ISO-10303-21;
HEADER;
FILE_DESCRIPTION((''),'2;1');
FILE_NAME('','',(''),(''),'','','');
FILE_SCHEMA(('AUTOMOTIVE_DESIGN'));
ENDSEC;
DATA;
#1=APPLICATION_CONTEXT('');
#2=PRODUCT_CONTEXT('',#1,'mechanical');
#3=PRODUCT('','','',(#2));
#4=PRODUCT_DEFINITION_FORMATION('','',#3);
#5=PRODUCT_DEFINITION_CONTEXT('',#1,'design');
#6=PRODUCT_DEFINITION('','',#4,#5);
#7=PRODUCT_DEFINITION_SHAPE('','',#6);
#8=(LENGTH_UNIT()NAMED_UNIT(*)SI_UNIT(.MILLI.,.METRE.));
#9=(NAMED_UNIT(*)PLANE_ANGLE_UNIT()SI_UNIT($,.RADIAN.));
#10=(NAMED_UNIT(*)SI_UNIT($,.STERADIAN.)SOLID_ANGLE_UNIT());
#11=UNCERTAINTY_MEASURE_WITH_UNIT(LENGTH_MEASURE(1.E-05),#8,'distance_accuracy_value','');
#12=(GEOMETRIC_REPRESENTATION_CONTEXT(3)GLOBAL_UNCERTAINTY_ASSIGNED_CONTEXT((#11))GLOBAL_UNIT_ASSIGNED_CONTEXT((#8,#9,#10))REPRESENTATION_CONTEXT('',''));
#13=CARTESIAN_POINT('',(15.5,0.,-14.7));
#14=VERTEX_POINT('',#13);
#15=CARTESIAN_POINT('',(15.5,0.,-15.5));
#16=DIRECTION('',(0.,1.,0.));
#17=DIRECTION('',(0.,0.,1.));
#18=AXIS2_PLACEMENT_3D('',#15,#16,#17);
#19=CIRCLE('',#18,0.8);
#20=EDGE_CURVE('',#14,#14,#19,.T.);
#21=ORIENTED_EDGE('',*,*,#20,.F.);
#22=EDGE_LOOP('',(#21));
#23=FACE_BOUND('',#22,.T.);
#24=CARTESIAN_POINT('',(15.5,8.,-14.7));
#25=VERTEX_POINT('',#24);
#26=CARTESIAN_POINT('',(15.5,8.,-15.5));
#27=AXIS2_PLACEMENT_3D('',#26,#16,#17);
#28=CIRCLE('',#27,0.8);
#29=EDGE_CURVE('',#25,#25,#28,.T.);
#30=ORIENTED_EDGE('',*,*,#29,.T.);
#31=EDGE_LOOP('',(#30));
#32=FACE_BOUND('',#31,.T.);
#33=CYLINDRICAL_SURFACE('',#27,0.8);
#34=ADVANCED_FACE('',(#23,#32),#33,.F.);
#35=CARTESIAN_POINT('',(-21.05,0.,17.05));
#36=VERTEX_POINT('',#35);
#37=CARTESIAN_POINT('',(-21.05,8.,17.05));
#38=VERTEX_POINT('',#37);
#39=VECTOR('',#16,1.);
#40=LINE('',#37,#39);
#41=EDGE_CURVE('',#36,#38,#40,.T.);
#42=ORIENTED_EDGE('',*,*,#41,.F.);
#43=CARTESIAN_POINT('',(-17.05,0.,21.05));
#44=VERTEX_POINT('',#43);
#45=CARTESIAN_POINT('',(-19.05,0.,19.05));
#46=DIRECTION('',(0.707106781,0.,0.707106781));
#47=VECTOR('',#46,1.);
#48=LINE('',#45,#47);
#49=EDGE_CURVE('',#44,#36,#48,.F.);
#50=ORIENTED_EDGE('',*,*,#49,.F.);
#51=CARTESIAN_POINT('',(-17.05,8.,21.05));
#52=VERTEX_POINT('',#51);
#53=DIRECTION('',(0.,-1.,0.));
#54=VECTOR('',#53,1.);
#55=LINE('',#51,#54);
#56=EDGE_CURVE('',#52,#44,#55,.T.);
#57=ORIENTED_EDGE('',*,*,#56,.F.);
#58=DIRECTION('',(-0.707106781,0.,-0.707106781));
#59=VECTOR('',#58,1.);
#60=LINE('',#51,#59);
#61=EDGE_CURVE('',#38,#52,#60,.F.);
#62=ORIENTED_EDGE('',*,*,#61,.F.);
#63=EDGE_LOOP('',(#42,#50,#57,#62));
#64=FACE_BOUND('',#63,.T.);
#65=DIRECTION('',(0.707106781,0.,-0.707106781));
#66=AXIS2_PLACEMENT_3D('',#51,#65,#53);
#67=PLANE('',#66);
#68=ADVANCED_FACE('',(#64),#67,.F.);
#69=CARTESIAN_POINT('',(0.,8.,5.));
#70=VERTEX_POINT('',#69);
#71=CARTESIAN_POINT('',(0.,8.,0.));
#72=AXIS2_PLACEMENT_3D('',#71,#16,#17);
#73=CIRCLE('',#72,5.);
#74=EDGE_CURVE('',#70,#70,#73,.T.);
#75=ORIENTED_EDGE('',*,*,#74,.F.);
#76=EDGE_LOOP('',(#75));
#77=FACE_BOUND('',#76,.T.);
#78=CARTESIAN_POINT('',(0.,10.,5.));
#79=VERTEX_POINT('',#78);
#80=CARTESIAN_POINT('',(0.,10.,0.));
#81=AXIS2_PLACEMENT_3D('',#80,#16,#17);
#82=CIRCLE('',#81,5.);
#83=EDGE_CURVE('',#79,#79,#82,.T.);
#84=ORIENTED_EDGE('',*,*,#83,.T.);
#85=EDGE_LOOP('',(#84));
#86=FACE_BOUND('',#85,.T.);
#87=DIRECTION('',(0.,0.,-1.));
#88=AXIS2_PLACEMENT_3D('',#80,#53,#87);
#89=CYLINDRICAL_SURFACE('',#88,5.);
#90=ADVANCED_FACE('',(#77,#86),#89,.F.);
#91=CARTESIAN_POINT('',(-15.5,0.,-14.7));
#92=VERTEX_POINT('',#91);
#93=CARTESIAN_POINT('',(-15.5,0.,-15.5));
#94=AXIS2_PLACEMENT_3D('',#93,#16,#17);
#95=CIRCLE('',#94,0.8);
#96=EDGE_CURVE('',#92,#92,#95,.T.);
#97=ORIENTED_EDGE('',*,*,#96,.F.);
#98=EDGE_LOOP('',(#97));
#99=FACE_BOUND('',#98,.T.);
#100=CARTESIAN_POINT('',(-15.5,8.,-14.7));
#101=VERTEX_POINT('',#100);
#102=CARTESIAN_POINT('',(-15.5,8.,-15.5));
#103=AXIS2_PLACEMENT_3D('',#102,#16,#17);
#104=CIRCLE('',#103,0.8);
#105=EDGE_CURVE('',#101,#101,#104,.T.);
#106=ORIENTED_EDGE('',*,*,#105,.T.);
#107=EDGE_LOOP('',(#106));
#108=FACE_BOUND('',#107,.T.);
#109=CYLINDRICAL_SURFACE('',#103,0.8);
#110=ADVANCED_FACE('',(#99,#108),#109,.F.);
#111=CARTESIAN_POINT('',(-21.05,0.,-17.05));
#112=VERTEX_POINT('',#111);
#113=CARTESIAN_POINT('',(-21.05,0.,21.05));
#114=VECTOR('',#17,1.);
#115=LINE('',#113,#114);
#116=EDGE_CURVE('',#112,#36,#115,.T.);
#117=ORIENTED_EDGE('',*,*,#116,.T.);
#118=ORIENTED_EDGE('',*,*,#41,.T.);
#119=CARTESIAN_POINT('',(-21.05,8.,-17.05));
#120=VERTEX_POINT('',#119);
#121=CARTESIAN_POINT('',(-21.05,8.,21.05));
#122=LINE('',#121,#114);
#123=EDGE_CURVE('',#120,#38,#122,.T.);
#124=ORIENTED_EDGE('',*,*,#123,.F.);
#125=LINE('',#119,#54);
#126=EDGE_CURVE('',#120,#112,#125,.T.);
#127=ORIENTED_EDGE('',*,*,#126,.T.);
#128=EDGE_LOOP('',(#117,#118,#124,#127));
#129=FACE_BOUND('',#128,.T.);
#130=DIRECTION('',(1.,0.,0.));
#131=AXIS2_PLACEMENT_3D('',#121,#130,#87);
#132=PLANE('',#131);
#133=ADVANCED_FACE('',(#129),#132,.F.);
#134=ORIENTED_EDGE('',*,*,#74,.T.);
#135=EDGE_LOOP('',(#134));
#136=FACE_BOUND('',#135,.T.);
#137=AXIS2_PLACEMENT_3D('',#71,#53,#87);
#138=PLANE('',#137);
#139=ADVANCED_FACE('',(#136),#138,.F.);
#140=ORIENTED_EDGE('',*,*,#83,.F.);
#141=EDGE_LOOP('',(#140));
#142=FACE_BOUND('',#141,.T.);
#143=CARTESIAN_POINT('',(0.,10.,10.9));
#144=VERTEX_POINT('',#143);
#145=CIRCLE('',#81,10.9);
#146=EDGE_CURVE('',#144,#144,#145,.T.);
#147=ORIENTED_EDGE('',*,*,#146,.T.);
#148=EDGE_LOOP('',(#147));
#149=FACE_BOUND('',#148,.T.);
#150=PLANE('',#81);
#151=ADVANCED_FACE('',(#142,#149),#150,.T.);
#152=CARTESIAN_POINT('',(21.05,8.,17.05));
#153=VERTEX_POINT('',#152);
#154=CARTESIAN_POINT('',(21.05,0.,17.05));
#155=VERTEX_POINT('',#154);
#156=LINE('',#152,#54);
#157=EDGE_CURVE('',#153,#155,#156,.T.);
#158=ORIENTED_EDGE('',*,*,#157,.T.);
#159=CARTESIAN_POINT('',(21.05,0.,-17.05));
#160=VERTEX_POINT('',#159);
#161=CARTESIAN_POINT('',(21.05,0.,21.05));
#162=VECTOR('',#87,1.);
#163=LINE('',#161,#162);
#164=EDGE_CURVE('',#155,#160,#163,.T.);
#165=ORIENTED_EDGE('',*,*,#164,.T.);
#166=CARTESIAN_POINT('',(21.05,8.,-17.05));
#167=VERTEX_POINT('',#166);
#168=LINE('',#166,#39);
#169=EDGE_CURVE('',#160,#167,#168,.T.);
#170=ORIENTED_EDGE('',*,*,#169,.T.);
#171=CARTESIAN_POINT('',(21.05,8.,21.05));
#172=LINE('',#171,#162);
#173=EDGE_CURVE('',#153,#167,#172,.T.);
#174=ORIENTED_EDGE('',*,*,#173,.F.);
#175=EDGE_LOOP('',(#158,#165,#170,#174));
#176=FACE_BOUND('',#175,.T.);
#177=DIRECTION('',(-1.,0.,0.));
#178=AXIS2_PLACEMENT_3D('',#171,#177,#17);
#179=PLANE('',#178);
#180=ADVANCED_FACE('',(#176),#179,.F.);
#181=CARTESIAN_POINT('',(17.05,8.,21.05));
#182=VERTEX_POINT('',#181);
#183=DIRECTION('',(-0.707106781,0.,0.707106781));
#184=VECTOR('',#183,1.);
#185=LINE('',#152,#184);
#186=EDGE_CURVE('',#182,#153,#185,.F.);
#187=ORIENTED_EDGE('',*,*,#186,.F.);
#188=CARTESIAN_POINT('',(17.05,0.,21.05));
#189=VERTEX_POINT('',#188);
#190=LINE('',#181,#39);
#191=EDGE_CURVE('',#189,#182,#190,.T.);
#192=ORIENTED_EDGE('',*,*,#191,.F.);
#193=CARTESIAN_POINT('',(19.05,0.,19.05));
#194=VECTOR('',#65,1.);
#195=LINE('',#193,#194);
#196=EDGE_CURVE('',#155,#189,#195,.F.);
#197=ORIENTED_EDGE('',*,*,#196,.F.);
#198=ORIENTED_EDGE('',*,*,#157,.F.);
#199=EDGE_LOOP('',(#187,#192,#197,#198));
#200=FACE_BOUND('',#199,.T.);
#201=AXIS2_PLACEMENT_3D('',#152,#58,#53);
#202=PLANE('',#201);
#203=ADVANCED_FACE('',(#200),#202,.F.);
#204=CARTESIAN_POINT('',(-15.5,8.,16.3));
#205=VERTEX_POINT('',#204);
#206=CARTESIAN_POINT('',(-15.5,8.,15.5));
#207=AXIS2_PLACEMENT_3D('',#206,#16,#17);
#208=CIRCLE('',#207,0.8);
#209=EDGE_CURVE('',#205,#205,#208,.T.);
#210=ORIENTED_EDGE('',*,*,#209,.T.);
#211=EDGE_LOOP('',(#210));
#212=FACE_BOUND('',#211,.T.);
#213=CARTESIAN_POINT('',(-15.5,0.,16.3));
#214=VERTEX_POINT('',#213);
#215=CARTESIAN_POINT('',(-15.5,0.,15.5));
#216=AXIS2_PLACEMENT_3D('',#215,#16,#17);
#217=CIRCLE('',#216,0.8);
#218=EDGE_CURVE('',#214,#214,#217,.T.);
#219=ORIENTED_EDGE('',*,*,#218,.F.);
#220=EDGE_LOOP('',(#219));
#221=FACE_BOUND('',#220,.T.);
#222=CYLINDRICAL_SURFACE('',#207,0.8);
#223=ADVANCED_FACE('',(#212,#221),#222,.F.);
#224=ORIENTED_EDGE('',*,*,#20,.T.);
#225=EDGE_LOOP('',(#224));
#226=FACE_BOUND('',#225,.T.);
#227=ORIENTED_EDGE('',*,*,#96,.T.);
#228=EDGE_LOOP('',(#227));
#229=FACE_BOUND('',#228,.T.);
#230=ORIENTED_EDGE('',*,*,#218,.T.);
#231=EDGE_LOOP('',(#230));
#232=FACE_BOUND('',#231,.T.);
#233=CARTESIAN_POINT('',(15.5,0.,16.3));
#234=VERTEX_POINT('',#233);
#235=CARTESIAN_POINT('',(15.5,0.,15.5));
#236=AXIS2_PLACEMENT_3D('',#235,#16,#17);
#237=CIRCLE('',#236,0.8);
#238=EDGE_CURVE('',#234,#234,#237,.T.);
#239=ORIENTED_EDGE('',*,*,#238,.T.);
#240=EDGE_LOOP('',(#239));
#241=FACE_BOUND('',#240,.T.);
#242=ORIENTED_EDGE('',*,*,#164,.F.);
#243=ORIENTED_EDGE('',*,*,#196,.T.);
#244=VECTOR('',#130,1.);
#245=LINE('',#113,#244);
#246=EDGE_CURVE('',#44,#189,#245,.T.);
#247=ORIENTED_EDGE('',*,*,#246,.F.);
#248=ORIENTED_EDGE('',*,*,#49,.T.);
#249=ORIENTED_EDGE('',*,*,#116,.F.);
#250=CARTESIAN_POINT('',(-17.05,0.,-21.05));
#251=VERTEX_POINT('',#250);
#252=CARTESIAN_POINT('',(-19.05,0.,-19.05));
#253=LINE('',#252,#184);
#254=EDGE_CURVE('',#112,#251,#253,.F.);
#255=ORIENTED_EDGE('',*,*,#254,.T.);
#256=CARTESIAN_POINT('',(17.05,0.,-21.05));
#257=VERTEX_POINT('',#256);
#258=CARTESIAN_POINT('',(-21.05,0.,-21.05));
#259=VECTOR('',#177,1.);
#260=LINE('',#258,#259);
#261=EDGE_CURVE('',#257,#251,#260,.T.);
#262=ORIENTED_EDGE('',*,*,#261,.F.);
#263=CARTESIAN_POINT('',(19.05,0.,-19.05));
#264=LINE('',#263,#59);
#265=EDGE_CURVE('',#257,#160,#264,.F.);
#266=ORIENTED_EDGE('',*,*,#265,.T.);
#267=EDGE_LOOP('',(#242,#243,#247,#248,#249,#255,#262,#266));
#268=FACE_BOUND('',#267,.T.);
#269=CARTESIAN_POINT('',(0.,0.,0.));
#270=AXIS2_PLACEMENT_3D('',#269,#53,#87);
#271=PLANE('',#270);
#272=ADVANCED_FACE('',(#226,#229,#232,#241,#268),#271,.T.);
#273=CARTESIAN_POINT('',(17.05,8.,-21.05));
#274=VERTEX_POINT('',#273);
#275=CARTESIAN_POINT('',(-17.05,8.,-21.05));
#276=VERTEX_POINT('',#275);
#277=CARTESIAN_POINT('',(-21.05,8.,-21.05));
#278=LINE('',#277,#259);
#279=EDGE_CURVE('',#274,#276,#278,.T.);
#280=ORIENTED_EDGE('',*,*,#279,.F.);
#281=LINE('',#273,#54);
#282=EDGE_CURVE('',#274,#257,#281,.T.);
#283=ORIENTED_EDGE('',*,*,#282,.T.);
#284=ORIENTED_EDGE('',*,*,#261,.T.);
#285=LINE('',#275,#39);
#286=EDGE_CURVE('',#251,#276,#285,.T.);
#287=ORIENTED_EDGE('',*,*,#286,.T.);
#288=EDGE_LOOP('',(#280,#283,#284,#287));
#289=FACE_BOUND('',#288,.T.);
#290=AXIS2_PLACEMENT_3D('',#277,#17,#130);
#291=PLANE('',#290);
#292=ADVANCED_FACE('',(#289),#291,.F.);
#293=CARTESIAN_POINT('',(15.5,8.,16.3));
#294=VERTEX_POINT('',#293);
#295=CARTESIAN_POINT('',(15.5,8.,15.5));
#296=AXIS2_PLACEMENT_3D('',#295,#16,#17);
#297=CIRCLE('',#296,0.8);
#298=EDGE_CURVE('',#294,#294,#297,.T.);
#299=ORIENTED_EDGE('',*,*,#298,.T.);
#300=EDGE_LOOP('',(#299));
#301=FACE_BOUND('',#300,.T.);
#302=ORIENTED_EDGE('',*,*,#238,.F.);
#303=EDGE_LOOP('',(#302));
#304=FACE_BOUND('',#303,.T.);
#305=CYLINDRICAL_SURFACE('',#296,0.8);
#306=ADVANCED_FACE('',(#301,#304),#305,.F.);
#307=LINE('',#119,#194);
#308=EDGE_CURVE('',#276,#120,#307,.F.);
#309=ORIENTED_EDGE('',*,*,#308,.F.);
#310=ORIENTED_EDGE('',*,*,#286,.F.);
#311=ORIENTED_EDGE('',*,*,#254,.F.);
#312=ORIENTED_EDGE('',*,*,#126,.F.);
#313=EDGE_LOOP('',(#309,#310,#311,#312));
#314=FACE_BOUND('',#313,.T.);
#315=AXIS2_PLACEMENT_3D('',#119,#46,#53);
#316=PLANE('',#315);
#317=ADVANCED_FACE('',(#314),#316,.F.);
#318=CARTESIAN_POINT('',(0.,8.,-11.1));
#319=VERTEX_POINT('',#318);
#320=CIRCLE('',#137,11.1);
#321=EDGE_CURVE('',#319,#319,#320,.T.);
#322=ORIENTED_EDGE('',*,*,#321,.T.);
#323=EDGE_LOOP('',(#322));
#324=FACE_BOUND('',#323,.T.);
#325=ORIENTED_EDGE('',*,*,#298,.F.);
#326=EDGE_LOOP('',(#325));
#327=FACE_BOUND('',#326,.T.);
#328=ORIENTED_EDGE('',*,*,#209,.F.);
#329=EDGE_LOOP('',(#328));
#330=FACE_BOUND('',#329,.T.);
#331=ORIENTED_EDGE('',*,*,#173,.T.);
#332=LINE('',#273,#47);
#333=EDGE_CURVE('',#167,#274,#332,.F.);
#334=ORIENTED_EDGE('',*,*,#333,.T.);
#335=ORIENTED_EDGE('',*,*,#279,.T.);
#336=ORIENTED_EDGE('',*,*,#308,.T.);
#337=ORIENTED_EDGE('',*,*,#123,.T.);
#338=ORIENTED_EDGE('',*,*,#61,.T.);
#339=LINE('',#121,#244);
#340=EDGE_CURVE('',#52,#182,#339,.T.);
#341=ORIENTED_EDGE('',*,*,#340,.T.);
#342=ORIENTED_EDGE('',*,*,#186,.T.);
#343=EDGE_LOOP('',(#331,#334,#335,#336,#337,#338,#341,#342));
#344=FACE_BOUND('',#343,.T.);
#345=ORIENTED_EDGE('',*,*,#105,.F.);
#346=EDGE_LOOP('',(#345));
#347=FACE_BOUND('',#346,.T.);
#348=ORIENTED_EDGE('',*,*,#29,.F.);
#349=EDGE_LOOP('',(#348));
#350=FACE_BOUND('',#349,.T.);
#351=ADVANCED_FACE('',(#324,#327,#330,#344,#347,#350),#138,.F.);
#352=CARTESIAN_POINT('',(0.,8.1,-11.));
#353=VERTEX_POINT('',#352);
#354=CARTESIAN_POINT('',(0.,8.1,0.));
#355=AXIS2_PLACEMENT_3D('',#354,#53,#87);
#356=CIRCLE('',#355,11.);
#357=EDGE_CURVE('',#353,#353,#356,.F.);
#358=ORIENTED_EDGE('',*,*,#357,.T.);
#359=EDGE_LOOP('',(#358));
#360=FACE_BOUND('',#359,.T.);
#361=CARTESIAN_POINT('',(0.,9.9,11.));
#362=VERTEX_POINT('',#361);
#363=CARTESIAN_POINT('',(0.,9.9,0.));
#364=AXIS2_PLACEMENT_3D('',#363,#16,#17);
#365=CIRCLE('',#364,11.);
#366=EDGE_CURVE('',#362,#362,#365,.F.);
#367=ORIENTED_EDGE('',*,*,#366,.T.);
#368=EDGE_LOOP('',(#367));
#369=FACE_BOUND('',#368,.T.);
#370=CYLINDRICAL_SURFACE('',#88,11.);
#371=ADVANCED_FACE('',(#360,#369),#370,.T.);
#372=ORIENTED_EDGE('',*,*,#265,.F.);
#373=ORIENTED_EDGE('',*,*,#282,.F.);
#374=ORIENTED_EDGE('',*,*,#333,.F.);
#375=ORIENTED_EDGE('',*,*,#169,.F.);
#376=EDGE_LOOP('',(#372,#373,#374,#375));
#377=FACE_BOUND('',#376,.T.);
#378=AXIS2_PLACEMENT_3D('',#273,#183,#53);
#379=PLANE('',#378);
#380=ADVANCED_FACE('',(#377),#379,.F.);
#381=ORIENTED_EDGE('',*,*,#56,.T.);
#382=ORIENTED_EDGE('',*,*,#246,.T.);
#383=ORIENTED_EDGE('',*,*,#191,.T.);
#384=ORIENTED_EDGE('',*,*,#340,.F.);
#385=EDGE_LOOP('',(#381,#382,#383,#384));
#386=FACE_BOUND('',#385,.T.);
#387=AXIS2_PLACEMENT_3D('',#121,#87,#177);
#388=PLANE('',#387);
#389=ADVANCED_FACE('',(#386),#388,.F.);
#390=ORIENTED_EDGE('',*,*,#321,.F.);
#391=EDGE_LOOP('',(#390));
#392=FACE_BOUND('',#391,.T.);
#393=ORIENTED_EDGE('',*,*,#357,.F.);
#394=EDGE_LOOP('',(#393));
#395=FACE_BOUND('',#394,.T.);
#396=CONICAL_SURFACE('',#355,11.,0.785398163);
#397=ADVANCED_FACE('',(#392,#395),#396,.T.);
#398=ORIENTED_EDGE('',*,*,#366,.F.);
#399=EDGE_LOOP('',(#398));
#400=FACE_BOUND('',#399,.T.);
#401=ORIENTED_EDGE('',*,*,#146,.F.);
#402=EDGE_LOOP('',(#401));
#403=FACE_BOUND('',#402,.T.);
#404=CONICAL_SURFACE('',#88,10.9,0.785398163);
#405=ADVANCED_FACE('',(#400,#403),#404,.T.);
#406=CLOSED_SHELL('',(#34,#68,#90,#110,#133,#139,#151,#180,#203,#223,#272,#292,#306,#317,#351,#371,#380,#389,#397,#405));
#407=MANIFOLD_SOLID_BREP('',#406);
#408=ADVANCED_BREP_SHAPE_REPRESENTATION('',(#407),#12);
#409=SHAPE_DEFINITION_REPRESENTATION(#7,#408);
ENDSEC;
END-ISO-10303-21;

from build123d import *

# Parameters (mm, degrees)
SKETCH1_W                 = 42.1
SKETCH1_H                 = 42.1
BOSS_EXTRUDE1_DEPTH       = 8
CHAMFER1_SIZE             = 4
SKETCH2_R                 = 11
SKETCH2_R_2               = 5
BOSS_EXTRUDE2_DEPTH       = 2
CHAMFER2_SIZE             = 0.1
M2X0_4_TAPPED_HOLE1_D     = 1.6
M2X0_4_TAPPED_HOLE1_DEPTH = 8
M2X0_4_TAPPED_HOLE1_TIP   = 0.480688495


with BuildPart() as part:
    # Sketch1 → Boss-Extrude1 (new body)
    with BuildSketch(Plane(origin=(0, 0, 0), x_dir=(1, 0, 0), z_dir=(0, 1, 0))):
        Rectangle(SKETCH1_W, SKETCH1_H)
    extrude(amount=BOSS_EXTRUDE1_DEPTH)

    # Chamfer1
    chamfer1_edges = [part.edges().sort_by_distance(p)[0] for p in [
        (21.05, 4, 21.05),
        (-21.05, 4, 21.05),
        (-21.05, 4, -21.05),
        (21.05, 4, -21.05),
    ]]
    chamfer(chamfer1_edges, length=CHAMFER1_SIZE)

    # Sketch2 → Boss-Extrude2 (add)
    with BuildSketch(Plane(origin=(0, 8, 0), x_dir=(1, 0, 0), z_dir=(0, 1, 0))):
        Circle(SKETCH2_R)
        Circle(SKETCH2_R_2, mode=Mode.SUBTRACT)
    extrude(amount=BOSS_EXTRUDE2_DEPTH)

    # Chamfer2
    chamfer2_edges = [part.edges().sort_by_distance(p)[0] for p in [
        (-11, 8, 0),
        (-11, 10, 0),
    ]]
    chamfer(chamfer2_edges, length=CHAMFER2_SIZE)

    # M2x0.4 Tapped Hole1
    with Locations(Plane(origin=(-15.5, 8, -15.5), x_dir=(0, 0, 1), z_dir=(0, 1, 0))):
        with Locations((0, 0), (0, 31), (31, 31), (31, 0)):
            Hole(M2X0_4_TAPPED_HOLE1_D / 2, depth=M2X0_4_TAPPED_HOLE1_DEPTH)
            with Locations((0, 0, -(M2X0_4_TAPPED_HOLE1_DEPTH + M2X0_4_TAPPED_HOLE1_TIP / 2))):  # 118° drill point
                Cone(0, M2X0_4_TAPPED_HOLE1_D / 2, M2X0_4_TAPPED_HOLE1_TIP, mode=Mode.SUBTRACT)


solid = part.part
